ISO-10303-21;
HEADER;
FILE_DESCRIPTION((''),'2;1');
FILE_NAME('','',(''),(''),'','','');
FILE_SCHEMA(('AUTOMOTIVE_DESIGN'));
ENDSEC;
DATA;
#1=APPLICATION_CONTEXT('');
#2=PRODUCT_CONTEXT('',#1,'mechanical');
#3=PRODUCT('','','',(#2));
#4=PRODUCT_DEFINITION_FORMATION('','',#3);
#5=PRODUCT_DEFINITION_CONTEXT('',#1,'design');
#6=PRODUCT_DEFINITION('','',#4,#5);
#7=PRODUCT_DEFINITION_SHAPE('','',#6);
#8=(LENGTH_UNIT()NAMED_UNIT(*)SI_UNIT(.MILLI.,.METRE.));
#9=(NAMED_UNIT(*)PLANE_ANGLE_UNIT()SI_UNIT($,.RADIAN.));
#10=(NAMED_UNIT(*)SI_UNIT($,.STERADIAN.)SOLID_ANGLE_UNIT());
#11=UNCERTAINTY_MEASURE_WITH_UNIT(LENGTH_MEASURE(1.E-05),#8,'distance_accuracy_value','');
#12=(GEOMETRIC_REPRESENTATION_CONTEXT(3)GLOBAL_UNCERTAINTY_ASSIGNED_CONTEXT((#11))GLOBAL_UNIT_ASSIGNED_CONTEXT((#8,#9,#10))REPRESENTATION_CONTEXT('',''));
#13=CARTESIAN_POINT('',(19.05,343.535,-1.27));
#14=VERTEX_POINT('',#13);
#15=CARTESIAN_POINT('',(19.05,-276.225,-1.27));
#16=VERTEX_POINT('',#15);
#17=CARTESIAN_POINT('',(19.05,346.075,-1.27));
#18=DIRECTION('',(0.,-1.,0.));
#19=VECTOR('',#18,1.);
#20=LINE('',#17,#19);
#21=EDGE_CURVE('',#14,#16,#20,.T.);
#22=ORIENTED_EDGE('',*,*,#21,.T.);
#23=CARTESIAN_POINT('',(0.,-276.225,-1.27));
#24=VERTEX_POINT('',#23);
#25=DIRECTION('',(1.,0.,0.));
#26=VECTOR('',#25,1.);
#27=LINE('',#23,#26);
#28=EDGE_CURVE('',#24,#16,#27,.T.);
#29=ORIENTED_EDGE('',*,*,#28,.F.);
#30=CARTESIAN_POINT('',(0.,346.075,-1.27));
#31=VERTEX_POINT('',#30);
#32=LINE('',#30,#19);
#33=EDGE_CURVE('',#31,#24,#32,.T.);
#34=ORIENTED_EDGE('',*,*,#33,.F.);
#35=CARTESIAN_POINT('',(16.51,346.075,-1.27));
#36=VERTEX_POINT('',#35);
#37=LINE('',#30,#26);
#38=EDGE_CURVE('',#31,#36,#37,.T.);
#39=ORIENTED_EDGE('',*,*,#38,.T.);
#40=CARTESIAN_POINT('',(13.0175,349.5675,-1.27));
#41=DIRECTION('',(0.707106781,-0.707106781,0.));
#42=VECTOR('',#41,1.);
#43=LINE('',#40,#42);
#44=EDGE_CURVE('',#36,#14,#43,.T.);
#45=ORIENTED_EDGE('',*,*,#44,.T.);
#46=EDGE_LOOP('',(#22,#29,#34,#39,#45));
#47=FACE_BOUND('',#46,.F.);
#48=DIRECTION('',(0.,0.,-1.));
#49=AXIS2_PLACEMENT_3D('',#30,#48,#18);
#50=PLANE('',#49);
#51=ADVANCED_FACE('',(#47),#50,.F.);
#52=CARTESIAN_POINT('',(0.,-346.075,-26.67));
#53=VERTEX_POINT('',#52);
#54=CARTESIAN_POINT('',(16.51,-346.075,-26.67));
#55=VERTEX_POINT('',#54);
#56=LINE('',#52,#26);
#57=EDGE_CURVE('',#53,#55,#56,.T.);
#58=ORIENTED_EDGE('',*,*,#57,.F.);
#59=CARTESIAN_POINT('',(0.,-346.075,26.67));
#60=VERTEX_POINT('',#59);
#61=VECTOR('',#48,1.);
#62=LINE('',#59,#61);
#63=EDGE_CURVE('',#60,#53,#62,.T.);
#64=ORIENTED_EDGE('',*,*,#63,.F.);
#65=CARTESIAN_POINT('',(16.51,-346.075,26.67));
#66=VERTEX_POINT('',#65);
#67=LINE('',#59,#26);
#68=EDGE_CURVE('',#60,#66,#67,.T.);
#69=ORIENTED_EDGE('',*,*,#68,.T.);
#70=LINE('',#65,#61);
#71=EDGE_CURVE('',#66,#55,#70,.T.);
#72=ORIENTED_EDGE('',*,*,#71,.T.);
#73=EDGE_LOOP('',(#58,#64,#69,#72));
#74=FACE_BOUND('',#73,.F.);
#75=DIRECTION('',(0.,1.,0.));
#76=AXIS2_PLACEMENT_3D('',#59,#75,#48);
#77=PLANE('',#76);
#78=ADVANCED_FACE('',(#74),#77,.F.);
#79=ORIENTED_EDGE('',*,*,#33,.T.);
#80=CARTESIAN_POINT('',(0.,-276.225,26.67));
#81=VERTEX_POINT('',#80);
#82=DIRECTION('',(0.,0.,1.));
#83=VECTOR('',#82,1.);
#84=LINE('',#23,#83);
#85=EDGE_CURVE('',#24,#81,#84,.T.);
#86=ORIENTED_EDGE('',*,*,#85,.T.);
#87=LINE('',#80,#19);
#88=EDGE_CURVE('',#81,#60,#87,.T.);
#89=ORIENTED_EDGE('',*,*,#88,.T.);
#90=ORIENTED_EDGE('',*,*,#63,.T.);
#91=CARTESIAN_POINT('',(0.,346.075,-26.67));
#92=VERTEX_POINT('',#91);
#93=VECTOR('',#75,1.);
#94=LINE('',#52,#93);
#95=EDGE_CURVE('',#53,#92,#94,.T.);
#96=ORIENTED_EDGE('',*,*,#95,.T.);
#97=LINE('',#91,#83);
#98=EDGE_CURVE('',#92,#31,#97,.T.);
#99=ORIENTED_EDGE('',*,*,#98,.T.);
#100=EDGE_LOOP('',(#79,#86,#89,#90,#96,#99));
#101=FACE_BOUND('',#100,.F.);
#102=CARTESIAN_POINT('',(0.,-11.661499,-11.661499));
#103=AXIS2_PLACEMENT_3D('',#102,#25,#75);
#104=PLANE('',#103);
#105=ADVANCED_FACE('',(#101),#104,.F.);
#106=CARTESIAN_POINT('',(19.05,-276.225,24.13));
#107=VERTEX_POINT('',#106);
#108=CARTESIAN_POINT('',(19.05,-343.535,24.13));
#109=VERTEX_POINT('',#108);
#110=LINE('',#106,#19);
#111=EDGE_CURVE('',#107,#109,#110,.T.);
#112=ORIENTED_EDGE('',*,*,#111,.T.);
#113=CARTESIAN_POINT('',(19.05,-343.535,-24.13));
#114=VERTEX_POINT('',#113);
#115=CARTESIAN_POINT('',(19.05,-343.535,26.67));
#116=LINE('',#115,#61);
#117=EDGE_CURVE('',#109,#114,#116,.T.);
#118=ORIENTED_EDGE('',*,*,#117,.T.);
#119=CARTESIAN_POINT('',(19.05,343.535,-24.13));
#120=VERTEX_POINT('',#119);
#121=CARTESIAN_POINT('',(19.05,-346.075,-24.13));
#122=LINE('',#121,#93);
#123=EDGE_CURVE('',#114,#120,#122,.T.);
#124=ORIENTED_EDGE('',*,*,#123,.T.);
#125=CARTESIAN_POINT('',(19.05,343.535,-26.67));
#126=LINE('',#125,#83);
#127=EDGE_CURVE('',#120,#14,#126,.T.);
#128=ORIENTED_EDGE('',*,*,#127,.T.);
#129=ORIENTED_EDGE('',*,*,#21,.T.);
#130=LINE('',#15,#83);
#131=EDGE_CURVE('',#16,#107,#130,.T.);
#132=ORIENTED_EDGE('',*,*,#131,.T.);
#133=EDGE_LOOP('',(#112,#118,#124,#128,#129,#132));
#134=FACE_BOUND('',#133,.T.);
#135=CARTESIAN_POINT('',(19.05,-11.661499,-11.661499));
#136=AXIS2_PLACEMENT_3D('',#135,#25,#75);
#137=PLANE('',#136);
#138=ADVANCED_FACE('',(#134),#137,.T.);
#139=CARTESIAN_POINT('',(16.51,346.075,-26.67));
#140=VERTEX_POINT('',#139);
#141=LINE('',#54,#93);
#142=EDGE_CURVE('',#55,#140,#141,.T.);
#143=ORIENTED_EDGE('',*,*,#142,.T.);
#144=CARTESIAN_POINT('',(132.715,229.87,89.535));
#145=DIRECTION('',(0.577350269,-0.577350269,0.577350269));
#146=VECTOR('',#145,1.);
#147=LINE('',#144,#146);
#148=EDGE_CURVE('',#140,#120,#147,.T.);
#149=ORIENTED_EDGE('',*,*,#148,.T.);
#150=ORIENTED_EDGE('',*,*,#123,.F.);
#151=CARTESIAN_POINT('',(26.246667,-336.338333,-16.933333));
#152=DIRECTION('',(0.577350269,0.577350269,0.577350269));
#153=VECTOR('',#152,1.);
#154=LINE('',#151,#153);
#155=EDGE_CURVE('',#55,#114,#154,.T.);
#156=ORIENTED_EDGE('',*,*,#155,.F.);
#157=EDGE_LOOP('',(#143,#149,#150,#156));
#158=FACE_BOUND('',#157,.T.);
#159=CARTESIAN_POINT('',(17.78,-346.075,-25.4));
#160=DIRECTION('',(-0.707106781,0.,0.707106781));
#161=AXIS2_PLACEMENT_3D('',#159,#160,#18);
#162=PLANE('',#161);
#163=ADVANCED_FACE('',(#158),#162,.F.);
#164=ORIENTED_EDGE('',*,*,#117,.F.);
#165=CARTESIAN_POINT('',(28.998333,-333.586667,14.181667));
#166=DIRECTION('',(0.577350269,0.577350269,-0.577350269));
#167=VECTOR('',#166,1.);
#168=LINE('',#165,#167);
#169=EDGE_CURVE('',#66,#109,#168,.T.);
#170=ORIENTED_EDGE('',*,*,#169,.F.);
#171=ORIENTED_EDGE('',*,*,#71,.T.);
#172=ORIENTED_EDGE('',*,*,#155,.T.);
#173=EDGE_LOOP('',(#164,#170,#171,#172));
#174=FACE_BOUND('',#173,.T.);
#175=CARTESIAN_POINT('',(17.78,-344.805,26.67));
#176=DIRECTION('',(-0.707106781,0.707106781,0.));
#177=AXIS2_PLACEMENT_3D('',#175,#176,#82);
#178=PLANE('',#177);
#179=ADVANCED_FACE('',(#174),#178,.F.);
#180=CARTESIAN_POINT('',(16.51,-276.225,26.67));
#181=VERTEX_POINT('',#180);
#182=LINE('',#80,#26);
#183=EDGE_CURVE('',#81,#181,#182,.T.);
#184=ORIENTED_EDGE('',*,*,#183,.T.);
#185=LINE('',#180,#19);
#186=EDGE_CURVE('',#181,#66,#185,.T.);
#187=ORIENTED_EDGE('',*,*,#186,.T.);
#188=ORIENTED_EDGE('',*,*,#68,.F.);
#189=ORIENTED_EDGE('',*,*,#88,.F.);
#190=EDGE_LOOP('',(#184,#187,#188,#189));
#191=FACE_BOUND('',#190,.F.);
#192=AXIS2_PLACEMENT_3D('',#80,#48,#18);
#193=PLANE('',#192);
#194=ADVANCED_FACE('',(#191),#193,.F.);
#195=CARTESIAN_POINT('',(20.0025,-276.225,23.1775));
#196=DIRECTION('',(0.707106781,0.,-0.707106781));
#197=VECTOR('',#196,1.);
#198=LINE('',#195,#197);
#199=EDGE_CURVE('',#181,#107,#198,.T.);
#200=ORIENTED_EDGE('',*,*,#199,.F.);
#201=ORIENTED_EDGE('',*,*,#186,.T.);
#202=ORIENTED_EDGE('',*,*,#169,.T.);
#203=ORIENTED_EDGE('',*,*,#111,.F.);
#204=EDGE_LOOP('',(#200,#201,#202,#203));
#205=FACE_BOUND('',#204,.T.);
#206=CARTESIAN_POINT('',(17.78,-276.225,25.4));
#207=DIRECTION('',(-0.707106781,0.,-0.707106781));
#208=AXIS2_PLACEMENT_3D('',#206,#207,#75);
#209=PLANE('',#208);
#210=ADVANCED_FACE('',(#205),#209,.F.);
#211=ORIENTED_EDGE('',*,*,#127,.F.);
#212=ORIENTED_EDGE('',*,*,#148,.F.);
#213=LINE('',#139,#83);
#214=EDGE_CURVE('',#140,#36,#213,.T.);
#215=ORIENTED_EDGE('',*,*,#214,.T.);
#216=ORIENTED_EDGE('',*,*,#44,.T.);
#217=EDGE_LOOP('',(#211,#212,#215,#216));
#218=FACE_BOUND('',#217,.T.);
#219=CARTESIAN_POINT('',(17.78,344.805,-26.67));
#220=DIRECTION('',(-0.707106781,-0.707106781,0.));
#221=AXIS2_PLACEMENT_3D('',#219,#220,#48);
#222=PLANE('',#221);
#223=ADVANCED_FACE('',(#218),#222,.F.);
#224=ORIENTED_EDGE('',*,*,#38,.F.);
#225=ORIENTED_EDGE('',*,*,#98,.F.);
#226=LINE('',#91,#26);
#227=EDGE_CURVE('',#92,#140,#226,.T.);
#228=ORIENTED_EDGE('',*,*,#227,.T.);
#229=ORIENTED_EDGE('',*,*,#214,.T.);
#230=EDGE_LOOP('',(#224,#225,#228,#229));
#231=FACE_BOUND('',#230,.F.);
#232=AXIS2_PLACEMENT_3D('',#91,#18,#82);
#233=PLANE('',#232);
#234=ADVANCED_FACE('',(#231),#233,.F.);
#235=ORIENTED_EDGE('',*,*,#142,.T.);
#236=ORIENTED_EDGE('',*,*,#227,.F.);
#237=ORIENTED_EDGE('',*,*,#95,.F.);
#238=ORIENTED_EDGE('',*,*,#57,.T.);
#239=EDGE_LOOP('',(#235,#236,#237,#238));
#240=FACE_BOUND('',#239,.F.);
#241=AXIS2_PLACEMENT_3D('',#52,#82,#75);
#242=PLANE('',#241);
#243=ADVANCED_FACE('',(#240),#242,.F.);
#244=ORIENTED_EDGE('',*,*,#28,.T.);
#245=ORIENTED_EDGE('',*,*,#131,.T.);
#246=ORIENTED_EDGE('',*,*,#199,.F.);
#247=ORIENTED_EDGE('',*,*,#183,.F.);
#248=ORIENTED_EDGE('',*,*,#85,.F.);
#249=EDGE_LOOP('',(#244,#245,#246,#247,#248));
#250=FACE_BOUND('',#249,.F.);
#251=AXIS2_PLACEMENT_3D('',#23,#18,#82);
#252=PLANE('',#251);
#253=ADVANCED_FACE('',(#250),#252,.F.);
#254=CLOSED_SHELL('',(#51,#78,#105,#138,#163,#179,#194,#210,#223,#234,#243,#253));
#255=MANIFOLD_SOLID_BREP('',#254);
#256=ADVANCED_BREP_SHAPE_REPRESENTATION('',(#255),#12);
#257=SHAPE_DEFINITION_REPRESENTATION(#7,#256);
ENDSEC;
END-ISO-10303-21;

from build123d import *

# Parameters (mm, degrees)
F1_DEPTH = 19.05
F2_SIZE  = 2.54


with BuildPart() as f1:
    # F0 (on Right) → F1 (new body)
    with BuildSketch(Plane.YZ):
        Polygon((-346.075, 26.67), (-346.075, -26.67), (346.075, -26.67), (346.075, -1.27), (-276.225, -1.27), (-276.225, 26.67), align=None)
    extrude(amount=F1_DEPTH)

    # F2
    f2_edges = [f1.edges().sort_by_distance(p)[0] for p in [
        (19.05, -311.15, 26.67),
        (19.05, -346.075, 0),
        (19.05, 0, -26.67),
        (19.05, 346.075, -13.97),
    ]]
    chamfer(f2_edges, length=F2_SIZE)


solid = f1.part
